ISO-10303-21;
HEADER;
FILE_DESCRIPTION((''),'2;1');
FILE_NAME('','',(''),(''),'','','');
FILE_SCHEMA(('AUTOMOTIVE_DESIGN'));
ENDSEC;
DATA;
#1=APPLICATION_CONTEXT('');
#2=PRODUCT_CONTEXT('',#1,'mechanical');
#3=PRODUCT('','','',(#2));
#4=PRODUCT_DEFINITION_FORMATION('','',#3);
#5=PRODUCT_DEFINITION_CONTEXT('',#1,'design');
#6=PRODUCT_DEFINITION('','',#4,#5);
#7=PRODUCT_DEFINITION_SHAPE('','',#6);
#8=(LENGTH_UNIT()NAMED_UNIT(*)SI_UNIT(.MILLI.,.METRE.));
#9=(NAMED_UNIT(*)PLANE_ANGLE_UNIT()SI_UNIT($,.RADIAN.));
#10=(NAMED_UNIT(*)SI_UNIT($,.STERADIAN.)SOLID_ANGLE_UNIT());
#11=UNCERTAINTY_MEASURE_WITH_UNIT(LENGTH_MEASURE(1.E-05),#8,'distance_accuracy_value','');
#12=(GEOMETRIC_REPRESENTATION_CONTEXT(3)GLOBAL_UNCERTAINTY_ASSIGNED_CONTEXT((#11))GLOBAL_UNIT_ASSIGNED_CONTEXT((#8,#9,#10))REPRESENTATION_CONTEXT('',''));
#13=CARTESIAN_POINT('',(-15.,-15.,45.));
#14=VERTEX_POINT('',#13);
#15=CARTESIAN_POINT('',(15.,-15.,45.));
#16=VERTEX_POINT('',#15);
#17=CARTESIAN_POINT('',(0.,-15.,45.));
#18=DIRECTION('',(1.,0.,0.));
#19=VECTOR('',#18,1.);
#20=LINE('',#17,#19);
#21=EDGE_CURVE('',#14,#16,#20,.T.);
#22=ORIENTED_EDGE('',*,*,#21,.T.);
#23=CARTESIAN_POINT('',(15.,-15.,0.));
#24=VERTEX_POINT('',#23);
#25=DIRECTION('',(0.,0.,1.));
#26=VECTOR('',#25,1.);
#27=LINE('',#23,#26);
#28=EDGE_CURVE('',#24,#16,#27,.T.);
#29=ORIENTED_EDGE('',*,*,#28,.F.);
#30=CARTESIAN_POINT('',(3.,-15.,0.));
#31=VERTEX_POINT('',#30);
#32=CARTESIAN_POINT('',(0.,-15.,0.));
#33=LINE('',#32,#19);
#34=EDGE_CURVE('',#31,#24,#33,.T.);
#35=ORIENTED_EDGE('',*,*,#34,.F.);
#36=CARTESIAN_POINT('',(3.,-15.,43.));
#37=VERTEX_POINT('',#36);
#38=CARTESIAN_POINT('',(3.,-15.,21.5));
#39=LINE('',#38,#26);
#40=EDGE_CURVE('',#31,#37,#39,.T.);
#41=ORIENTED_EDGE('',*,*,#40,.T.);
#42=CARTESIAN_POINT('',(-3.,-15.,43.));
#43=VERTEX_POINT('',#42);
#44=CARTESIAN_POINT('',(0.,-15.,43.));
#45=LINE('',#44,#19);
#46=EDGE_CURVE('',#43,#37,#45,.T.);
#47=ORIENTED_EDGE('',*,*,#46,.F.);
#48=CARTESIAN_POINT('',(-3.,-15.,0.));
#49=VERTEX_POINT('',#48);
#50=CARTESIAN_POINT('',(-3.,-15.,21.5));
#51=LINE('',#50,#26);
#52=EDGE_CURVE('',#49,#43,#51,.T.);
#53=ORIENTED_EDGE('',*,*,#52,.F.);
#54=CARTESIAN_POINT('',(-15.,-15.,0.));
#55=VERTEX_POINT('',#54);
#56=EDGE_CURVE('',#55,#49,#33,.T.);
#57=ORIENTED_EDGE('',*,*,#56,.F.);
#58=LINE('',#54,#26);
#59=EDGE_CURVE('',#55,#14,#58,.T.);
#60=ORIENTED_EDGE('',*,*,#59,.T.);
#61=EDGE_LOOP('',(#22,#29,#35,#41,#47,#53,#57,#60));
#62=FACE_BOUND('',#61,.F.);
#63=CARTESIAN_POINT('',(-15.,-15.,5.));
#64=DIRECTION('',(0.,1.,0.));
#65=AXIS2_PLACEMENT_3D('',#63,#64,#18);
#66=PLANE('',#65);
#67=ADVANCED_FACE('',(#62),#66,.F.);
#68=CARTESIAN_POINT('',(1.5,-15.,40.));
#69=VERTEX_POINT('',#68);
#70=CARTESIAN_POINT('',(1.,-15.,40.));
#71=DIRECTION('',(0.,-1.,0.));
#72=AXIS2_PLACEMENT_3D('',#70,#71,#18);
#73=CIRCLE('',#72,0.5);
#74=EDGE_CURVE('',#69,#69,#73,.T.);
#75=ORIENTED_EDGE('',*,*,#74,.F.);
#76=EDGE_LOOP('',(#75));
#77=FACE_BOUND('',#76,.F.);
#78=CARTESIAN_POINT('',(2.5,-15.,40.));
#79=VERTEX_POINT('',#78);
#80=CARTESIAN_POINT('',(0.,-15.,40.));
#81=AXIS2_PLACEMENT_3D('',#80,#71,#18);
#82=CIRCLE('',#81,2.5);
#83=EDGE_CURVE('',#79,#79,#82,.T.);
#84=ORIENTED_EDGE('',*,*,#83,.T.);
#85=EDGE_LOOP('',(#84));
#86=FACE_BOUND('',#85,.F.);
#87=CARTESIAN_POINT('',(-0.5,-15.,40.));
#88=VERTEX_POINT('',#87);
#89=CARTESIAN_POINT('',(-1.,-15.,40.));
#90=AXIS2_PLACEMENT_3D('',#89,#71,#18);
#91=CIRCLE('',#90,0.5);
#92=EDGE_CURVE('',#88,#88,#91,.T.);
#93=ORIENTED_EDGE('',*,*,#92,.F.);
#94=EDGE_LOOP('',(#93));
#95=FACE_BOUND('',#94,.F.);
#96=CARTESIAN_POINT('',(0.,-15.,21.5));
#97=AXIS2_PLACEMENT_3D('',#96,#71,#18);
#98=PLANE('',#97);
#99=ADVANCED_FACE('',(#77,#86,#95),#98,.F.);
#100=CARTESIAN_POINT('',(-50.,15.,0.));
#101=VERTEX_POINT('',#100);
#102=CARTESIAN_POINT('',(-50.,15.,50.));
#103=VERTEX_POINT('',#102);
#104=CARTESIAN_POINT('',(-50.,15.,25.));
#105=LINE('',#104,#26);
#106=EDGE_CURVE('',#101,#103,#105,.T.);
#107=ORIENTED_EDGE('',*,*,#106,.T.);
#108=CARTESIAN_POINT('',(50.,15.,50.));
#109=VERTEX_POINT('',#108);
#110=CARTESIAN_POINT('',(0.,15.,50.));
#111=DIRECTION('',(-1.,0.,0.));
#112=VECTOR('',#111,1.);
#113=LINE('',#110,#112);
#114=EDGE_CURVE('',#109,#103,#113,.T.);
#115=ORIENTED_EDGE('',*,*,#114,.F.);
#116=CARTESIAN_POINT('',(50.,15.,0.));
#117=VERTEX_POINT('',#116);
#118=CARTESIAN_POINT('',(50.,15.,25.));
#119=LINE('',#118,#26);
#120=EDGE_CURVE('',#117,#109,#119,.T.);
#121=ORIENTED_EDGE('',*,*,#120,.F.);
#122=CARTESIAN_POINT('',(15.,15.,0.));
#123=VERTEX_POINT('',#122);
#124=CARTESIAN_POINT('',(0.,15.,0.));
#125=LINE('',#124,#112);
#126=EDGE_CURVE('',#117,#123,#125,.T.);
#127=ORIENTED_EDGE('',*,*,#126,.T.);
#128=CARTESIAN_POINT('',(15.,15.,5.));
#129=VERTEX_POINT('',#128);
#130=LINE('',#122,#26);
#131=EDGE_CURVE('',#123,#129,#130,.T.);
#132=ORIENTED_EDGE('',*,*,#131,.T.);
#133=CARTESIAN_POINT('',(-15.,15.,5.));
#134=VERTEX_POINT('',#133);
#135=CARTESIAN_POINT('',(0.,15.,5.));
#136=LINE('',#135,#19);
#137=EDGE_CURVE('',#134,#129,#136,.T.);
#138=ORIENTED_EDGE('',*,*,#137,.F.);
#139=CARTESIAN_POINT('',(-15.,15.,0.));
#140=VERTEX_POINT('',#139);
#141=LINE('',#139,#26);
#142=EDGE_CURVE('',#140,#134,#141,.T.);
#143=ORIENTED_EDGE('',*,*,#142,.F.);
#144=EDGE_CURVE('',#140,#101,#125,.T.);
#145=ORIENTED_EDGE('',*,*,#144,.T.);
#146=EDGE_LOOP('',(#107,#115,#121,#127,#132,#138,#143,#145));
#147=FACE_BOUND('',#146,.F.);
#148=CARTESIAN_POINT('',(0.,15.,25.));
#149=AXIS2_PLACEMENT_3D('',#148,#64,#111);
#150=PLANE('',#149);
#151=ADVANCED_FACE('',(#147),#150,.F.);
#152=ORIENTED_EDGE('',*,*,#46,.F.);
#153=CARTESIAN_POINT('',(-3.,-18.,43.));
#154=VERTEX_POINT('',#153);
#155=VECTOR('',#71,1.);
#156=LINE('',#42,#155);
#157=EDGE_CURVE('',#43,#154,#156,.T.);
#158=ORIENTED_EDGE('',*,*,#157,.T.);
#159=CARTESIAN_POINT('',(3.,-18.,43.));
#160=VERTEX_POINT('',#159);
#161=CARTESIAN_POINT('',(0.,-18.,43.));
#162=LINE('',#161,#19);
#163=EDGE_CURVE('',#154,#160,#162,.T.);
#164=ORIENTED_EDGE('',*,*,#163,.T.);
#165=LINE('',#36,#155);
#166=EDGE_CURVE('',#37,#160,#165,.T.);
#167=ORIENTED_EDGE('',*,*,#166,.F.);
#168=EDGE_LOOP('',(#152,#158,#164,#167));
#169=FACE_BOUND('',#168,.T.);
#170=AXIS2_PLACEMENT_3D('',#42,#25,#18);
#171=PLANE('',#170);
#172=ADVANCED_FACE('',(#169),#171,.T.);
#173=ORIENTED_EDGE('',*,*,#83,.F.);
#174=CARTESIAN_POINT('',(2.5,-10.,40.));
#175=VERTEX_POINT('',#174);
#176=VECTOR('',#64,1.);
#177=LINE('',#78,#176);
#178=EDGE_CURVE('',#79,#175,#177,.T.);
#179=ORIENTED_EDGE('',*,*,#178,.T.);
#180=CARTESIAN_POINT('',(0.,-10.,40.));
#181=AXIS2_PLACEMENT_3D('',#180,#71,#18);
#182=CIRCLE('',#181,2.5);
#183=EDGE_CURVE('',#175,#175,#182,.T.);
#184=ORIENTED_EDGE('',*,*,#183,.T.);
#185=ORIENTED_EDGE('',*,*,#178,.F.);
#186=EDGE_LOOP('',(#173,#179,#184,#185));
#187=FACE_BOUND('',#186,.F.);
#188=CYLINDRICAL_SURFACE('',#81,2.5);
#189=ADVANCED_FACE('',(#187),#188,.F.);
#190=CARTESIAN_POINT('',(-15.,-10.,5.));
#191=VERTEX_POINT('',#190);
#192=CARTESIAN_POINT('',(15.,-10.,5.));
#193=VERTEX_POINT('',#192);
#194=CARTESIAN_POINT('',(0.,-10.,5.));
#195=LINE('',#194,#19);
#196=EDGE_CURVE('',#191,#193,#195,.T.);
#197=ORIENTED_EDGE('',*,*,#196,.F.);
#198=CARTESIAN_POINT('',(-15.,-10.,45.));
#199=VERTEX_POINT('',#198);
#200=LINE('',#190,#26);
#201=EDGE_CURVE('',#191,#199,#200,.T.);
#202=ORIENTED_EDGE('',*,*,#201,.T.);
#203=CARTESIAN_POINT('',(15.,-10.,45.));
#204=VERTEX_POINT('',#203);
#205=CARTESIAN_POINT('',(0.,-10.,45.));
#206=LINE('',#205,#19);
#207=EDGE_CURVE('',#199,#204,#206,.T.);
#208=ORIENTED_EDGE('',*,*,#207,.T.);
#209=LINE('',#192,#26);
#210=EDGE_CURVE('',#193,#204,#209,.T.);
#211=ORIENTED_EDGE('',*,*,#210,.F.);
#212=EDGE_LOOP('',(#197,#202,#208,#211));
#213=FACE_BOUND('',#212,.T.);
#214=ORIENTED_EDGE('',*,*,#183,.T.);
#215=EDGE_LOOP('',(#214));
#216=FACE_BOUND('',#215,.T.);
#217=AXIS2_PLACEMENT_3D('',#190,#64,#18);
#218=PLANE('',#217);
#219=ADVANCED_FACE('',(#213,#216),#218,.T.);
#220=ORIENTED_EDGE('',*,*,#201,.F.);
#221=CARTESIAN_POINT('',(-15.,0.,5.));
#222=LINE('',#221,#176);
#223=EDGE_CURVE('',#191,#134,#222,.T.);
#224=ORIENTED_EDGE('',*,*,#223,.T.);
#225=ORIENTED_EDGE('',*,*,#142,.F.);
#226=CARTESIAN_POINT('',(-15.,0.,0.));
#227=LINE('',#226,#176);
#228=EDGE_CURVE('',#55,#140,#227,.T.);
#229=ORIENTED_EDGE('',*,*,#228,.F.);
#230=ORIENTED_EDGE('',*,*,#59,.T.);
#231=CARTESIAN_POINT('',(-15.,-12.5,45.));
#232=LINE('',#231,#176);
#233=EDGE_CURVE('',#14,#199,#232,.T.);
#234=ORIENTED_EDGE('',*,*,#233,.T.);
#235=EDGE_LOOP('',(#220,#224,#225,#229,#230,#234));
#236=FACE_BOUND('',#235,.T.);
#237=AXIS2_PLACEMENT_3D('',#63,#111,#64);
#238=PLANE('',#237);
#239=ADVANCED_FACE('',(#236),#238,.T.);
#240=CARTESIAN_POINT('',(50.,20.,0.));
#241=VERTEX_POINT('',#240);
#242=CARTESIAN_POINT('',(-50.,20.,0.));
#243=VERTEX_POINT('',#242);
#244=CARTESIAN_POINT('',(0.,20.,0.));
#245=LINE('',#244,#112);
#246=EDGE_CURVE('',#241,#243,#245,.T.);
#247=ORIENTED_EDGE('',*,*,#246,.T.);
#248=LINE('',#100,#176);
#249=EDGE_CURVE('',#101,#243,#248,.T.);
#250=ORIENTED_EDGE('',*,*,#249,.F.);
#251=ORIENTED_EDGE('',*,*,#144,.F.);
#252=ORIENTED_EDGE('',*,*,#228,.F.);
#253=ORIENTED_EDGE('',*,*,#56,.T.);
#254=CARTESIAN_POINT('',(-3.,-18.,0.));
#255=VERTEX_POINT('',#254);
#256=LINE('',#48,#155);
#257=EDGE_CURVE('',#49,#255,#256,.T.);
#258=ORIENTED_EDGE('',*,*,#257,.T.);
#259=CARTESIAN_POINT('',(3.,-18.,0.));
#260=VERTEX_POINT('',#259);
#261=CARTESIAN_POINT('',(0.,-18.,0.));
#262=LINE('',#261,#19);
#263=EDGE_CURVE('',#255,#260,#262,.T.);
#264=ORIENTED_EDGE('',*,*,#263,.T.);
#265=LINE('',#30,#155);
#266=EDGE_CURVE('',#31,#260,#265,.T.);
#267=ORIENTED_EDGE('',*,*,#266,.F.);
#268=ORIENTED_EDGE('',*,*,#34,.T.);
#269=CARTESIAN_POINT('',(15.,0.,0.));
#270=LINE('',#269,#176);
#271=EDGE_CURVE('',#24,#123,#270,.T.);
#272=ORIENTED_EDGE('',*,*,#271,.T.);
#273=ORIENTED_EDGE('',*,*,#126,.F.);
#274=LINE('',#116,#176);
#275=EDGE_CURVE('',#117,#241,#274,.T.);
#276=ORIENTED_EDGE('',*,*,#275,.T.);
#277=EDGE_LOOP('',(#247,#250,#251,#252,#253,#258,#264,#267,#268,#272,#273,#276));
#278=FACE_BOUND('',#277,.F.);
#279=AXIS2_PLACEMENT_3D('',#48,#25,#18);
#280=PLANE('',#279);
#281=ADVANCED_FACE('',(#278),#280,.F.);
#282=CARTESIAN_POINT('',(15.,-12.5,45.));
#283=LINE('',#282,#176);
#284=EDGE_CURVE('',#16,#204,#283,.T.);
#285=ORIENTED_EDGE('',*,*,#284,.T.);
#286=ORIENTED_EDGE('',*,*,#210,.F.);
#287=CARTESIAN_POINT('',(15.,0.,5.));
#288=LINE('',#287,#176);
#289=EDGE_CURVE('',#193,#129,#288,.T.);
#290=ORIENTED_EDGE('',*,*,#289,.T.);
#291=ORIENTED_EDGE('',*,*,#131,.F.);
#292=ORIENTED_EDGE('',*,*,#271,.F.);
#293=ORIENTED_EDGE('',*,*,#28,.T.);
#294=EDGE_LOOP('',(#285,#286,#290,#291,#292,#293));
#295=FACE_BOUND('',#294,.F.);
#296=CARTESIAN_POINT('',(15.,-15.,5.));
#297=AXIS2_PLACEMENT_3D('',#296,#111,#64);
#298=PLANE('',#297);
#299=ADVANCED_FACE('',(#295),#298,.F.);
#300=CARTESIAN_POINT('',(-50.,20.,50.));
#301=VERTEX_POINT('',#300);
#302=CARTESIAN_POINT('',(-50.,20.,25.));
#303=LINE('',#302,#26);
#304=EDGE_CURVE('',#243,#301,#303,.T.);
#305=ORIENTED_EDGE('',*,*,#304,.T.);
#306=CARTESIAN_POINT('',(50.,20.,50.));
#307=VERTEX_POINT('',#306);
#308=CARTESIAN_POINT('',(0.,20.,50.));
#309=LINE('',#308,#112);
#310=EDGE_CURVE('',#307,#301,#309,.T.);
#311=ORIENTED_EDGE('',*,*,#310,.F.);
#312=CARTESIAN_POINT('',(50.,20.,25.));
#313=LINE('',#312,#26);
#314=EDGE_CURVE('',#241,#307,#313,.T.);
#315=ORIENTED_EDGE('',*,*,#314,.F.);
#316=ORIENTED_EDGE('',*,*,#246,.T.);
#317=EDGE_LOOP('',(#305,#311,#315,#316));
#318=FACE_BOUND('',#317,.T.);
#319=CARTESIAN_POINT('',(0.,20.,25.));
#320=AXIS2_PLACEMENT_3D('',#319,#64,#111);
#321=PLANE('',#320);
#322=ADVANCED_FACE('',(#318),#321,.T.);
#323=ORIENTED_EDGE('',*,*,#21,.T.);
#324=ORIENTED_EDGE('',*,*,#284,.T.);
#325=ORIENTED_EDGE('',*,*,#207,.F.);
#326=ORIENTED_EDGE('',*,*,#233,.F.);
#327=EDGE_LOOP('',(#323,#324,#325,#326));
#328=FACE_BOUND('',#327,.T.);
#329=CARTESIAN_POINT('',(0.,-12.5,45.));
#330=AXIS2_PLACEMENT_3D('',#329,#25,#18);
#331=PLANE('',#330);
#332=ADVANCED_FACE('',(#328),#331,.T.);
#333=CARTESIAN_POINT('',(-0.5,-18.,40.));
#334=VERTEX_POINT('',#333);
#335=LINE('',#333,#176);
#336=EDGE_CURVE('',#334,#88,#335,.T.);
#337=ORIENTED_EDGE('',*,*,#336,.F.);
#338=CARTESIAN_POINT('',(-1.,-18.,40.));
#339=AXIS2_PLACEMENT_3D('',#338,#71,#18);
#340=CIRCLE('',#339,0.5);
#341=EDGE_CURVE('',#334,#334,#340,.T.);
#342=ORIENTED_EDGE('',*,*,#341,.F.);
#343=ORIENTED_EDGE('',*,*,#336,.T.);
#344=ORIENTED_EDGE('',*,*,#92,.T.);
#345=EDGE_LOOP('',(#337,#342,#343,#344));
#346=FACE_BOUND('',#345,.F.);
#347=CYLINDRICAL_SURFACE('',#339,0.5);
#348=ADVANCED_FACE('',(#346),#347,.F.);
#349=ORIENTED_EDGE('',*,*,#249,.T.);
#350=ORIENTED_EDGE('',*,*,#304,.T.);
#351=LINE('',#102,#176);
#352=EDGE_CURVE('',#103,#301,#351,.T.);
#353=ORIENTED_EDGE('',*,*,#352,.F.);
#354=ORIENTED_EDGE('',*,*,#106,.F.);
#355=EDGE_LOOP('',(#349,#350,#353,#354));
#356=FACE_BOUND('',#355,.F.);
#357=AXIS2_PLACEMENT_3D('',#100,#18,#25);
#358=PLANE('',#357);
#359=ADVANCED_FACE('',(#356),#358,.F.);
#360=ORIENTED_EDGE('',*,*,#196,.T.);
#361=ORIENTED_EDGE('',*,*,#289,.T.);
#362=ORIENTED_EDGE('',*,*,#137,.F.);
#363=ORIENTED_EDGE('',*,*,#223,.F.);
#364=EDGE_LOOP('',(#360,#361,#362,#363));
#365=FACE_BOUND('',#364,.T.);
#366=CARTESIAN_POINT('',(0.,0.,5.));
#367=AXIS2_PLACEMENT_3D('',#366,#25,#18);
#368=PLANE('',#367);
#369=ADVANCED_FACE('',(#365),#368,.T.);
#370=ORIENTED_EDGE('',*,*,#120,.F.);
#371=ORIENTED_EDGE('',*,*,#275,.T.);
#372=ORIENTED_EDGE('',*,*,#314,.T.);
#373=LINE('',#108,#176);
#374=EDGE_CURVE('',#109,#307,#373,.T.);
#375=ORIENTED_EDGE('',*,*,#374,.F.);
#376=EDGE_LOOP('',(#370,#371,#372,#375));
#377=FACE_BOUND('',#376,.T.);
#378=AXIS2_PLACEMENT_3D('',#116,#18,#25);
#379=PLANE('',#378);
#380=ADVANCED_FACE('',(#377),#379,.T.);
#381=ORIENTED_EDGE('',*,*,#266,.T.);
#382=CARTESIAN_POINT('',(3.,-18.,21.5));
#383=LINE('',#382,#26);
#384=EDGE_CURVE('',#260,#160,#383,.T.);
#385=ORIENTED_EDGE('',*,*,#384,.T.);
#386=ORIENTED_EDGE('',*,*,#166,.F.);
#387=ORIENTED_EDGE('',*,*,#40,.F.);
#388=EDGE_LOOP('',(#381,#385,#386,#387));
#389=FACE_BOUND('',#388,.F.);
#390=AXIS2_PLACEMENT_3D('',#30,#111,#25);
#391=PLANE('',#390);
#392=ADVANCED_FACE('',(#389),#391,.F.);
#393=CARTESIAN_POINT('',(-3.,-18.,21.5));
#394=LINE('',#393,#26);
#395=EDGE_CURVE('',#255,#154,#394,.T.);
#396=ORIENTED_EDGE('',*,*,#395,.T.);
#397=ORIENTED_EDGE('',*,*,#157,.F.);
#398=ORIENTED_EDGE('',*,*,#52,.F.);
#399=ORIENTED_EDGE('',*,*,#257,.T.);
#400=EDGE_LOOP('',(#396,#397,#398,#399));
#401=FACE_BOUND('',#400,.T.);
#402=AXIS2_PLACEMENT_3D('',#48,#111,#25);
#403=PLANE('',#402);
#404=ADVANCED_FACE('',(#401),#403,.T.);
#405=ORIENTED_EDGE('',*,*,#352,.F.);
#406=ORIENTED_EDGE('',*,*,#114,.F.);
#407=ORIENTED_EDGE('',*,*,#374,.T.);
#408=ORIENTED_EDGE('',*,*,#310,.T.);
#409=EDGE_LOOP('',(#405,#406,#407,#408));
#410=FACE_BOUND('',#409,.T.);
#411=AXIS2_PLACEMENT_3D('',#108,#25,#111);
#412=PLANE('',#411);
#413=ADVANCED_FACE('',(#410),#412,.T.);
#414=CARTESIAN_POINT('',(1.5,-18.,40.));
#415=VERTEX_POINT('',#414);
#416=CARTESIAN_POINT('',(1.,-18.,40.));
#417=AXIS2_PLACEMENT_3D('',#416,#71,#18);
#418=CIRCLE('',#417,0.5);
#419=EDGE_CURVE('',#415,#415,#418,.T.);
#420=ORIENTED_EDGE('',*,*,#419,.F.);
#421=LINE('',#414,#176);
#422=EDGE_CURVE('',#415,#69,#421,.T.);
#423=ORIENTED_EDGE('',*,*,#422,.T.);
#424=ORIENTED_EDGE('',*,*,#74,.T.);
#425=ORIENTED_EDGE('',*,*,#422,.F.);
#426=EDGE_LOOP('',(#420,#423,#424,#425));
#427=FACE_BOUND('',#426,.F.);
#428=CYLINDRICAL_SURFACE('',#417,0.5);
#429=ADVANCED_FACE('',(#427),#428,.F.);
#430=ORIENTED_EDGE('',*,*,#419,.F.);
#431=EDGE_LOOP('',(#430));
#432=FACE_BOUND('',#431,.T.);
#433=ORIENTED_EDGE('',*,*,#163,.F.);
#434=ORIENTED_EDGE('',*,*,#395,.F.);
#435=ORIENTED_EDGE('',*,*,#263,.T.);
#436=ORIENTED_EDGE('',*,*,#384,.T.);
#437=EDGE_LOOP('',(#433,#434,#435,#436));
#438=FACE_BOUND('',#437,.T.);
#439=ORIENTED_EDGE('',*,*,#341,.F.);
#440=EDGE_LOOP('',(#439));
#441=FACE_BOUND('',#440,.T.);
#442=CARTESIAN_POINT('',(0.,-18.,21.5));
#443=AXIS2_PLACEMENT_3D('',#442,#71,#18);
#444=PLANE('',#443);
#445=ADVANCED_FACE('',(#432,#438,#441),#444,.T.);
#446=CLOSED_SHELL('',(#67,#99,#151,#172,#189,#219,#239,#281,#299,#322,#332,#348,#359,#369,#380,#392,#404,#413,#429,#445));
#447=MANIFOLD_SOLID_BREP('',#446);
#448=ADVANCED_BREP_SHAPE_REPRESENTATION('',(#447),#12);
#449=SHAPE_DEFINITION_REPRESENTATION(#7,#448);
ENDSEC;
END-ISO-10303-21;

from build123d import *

# Parameters (mm, degrees)
F0_W      = 30
F0_H      = 30
F1_DEPTH  = 5
F2_W      = 30
F2_H      = 5
F3_DEPTH  = 40
F4_W      = 100
F4_H      = 50
F5_DEPTH  = 5
F6_R      = 2.5
F7_DEPTH  = 5
F8_W      = 6
F8_H      = 43
F9_DEPTH  = 3
F10_R     = 0.5
F11_DEPTH = 3


with BuildPart() as f1:
    # F0 (on Top) → F1 (new body)
    with BuildSketch(Plane.XY):
        Rectangle(F0_W, F0_H)
    extrude(amount=F1_DEPTH)

    # F2 (on face) → F3 (join)
    with BuildSketch(Plane.XY.offset(5)):
        with Locations((0, -12.5)):
            Rectangle(F2_W, F2_H)
    extrude(amount=F3_DEPTH)

    # F4 (on face) → F5 (join)
    with BuildSketch(Plane(origin=(0, 15, 0), x_dir=(-1, 0, 0), z_dir=(0, 1, 0))):
        with Locations((0, 25)):
            Rectangle(F4_W, F4_H)
    extrude(amount=F5_DEPTH)

    # F6 (on face) → F7 (cut, through all)
    with BuildSketch(Plane.XZ.offset(15)):
        with Locations((0, 40)):
            Circle(F6_R)
    extrude(amount=-F7_DEPTH, mode=Mode.SUBTRACT)

    # F8 (on face) → F9 (join)
    with BuildSketch(Plane.XZ.offset(15)):
        with Locations((0, 21.5)):
            Rectangle(F8_W, F8_H)
    extrude(amount=F9_DEPTH)

    # F10 (on face) → F11 (cut, through all)
    with BuildSketch(Plane.XZ.offset(18)):
        with Locations((1, 40)):
            Circle(F10_R)
        with Locations((-1, 40)):
            Circle(F10_R)
    extrude(amount=-F11_DEPTH, mode=Mode.SUBTRACT)


solid = f1.part
